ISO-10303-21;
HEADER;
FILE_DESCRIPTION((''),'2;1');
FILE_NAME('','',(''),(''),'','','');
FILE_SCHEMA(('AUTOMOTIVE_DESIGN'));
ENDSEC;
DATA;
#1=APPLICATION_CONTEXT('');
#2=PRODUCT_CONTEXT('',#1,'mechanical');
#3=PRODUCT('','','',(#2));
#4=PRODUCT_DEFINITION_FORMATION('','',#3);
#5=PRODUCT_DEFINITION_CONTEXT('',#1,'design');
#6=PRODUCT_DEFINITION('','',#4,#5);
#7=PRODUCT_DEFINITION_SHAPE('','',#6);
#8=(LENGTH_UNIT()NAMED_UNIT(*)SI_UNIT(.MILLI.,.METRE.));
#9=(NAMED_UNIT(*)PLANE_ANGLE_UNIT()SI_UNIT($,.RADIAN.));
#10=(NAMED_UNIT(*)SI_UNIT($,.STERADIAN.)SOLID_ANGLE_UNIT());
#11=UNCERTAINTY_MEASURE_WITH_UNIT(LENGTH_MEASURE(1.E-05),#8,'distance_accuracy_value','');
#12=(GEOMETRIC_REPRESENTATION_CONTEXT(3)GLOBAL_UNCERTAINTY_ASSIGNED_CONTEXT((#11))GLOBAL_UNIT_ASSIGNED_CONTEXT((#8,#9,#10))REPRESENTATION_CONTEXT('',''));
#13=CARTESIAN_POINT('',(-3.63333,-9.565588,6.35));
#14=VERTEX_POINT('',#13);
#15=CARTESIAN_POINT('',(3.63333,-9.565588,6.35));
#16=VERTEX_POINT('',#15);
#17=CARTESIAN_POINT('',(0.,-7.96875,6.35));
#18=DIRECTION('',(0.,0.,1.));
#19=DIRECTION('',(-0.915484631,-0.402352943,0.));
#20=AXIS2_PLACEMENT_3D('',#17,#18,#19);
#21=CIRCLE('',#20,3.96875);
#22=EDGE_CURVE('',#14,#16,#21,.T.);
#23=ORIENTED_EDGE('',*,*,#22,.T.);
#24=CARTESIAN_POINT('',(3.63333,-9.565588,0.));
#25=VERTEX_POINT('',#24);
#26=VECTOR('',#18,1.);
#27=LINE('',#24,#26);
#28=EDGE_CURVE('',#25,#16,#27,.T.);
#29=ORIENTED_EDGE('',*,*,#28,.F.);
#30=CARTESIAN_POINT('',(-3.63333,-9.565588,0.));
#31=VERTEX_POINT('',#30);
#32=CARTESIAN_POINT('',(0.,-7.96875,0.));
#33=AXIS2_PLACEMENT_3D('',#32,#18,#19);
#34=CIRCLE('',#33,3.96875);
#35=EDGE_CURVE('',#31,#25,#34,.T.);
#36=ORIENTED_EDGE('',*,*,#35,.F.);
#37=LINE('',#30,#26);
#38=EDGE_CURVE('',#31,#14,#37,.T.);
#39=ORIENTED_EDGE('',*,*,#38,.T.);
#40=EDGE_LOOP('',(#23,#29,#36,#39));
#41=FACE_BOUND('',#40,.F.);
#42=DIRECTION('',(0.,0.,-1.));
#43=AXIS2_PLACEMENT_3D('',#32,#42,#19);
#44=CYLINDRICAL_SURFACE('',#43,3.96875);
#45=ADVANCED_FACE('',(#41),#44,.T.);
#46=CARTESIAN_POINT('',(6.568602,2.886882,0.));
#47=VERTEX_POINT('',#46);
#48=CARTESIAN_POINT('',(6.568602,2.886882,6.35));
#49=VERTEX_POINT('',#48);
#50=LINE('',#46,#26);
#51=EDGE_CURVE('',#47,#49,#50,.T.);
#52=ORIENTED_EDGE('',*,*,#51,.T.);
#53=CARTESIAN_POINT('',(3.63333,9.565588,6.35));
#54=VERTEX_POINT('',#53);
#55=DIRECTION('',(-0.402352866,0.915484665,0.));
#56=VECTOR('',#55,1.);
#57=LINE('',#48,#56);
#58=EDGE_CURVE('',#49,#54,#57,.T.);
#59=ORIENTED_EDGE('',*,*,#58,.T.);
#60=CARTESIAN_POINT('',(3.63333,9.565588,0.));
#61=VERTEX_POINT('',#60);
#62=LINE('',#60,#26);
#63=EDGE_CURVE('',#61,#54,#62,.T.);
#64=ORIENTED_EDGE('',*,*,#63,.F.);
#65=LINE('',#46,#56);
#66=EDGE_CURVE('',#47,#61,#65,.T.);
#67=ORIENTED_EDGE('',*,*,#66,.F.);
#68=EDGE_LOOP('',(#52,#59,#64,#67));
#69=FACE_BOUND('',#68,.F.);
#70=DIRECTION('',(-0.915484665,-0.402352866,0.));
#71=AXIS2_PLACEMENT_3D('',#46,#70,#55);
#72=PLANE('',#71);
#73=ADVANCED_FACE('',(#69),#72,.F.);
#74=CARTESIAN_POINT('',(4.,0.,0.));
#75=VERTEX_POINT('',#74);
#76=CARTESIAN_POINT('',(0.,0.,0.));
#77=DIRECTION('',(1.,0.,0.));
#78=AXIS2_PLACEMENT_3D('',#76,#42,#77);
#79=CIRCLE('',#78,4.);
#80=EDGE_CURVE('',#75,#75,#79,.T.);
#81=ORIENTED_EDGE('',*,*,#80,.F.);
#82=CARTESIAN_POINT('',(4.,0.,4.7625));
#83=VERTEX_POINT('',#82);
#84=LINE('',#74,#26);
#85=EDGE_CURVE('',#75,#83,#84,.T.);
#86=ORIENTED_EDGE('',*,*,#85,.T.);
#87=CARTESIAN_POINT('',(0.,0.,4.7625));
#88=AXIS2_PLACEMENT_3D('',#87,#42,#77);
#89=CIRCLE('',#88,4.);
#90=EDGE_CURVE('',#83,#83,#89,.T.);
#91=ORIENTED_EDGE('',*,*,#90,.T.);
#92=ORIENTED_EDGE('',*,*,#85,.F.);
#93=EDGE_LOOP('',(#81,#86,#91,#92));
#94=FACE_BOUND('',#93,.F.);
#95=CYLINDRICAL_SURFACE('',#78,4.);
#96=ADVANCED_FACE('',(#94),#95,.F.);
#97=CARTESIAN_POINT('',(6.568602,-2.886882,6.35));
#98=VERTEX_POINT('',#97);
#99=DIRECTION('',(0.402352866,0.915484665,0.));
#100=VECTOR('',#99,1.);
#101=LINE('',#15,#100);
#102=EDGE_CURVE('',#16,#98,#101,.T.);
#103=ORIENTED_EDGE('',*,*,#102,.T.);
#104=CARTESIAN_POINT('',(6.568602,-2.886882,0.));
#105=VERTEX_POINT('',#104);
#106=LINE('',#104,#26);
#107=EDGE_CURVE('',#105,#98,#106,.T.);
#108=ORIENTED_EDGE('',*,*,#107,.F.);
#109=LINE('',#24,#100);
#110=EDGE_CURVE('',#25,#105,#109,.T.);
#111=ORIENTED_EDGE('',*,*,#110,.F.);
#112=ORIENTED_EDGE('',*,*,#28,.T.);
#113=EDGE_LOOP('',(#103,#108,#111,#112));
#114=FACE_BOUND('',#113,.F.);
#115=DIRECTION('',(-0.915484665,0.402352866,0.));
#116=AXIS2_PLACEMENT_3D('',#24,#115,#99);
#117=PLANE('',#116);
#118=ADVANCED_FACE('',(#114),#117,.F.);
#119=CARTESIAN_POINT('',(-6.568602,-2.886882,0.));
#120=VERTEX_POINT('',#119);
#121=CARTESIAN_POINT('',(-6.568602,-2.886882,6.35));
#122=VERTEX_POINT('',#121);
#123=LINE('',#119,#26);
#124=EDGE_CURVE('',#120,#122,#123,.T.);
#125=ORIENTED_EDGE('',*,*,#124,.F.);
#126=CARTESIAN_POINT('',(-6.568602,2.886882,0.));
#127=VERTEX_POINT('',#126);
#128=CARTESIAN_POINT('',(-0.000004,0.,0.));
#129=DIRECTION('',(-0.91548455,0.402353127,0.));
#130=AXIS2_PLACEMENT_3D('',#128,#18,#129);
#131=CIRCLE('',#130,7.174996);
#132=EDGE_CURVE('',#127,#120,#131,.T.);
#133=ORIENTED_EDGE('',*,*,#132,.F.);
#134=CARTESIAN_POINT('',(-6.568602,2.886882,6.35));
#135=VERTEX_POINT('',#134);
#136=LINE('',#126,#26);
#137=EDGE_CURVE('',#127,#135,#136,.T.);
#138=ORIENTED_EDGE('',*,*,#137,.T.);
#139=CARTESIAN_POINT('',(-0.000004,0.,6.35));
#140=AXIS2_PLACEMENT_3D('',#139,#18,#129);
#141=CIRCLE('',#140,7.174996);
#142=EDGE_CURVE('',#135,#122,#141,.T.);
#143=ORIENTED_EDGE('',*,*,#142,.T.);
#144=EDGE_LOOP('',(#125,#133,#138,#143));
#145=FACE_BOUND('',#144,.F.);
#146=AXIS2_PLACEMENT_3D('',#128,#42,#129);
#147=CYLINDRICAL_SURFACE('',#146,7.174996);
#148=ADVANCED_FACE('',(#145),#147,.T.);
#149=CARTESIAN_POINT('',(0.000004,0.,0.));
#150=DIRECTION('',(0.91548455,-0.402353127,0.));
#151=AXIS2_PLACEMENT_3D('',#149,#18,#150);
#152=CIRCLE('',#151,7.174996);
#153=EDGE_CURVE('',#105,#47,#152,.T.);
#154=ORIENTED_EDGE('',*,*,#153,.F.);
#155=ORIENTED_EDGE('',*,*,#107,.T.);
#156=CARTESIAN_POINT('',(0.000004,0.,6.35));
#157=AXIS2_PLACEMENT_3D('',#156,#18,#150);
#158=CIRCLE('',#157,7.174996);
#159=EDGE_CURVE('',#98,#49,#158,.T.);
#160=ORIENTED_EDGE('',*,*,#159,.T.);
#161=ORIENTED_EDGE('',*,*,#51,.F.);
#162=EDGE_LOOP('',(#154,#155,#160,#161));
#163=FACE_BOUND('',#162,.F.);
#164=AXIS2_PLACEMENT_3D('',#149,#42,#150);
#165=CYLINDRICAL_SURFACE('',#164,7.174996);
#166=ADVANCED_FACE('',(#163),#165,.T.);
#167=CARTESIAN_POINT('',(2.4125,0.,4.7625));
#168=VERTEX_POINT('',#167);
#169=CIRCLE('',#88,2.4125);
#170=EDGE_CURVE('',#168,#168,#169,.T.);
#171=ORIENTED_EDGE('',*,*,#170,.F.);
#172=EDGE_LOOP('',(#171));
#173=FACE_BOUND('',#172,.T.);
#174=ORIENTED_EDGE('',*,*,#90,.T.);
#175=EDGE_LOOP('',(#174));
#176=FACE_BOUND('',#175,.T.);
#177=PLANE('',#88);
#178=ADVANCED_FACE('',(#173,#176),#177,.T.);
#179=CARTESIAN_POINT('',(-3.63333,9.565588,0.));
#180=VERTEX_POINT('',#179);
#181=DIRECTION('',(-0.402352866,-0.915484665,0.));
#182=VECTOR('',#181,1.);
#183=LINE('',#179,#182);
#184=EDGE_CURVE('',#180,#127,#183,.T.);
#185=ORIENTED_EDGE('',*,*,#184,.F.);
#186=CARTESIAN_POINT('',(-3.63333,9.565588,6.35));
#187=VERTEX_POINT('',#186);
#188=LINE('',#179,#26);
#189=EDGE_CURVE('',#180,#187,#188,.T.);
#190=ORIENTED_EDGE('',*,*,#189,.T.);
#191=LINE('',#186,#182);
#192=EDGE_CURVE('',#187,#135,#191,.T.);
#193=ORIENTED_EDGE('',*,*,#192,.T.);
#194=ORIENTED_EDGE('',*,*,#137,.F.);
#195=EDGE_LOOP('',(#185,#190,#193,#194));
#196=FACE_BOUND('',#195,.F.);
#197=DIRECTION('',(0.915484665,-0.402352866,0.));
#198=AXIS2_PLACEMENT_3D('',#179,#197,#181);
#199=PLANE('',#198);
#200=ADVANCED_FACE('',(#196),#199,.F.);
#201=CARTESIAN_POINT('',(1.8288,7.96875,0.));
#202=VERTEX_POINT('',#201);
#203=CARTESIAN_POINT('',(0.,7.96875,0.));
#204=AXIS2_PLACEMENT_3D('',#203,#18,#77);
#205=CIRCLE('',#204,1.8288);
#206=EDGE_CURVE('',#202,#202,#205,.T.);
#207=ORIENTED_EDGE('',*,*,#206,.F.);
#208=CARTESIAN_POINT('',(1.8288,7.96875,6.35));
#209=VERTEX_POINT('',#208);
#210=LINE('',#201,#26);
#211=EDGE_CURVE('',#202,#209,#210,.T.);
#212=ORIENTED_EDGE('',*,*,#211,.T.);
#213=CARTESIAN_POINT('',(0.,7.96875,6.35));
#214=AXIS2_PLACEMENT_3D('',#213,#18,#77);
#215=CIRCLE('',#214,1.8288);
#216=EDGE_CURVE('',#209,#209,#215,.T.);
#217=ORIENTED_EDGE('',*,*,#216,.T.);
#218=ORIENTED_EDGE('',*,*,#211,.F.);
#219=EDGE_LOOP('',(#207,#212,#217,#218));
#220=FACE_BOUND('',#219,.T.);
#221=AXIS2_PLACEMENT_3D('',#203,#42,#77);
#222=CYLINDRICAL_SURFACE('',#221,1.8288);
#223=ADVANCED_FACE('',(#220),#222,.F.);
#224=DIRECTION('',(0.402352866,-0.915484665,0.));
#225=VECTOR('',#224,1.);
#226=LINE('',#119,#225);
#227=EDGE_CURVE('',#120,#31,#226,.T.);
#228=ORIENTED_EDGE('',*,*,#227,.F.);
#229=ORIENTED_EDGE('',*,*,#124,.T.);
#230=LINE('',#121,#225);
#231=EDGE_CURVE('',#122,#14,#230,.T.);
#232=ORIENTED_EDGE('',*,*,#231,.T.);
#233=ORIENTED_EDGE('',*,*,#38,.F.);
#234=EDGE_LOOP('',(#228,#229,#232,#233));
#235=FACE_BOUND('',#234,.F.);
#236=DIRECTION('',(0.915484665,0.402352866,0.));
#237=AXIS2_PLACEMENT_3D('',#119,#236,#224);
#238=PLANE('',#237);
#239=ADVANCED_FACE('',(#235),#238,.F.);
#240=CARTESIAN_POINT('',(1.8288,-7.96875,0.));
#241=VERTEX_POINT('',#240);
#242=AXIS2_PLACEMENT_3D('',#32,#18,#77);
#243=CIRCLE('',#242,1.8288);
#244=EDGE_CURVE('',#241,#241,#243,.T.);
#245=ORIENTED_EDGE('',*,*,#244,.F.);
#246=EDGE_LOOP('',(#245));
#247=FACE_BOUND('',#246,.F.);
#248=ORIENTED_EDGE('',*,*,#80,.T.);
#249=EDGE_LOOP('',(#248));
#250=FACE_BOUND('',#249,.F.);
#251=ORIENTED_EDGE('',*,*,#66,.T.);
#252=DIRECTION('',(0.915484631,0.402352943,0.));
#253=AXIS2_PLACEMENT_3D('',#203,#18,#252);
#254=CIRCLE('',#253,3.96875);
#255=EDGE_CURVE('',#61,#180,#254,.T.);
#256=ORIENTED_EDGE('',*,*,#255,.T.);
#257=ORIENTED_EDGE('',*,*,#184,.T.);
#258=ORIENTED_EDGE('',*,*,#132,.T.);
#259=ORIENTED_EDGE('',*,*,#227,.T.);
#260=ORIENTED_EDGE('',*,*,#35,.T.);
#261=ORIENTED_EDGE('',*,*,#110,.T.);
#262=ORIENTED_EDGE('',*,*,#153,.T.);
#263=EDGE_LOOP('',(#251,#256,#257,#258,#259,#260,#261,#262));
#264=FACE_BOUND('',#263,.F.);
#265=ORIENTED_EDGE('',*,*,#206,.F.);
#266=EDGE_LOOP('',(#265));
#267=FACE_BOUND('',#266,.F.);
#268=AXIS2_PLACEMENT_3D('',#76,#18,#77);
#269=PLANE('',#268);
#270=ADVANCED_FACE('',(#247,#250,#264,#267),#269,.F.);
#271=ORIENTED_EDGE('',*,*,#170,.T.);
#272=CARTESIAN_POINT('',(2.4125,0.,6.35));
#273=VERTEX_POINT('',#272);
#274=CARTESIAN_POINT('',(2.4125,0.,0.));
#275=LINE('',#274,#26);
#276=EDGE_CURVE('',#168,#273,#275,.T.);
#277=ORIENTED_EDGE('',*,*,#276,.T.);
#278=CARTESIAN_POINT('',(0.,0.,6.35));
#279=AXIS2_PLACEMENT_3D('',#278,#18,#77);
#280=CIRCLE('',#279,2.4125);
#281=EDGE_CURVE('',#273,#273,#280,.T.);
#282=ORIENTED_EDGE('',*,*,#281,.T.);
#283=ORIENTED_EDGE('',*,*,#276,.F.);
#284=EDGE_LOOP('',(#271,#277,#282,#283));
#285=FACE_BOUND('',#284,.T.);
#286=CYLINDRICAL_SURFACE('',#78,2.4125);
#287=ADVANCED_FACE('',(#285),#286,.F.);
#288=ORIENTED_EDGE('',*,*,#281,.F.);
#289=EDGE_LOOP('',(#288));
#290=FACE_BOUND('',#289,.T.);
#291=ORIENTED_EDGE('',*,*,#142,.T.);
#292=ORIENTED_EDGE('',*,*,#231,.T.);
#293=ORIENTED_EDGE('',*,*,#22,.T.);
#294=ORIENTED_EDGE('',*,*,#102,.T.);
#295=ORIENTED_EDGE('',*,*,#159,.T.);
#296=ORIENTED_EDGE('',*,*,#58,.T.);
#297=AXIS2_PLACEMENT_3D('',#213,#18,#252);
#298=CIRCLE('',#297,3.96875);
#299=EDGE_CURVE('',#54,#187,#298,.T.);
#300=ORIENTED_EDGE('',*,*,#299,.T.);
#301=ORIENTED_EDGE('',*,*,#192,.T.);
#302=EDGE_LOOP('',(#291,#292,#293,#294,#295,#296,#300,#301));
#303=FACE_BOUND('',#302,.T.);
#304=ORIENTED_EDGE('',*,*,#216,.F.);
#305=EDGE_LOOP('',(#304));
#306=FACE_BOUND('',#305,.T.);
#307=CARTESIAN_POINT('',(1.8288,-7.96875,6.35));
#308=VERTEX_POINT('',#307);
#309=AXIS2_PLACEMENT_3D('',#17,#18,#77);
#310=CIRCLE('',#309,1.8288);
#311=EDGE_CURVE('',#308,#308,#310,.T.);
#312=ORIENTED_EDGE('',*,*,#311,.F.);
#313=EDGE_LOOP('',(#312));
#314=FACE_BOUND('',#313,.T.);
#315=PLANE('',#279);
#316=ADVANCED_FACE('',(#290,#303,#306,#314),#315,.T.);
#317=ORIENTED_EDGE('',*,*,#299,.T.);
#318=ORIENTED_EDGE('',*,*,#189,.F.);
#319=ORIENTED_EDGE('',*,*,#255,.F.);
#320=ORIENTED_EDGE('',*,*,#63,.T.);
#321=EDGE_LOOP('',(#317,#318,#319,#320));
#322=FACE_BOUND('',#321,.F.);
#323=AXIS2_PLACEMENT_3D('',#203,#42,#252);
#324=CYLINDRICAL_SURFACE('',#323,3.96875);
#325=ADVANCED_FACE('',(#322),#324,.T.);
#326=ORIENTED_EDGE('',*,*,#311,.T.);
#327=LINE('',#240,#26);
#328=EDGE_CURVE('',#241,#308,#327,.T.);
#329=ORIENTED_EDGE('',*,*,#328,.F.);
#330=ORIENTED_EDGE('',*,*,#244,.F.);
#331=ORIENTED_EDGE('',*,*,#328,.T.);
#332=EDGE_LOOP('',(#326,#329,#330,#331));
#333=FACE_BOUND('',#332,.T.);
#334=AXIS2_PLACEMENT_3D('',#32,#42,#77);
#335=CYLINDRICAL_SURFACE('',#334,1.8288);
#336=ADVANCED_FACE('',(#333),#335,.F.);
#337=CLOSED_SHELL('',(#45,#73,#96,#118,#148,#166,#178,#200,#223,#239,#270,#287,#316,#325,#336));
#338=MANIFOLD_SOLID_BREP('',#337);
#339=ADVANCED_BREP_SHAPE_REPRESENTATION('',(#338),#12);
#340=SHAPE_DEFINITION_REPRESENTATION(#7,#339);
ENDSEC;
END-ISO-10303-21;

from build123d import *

# Parameters (mm, degrees)
F0_R     = 1.8288
F0_R_2   = 2.4125
F1_DEPTH = 6.35
F3_R     = 4
F4_DEPTH = 4.7625


with BuildPart() as f1:
    # F0 (on Top) → F1 (new body)
    with BuildSketch(Plane.XY):
        with BuildLine():
            Line((6.568602, 2.886882), (3.63333, 9.565588))
            ThreePointArc((3.63333, 9.565588), (0, 11.9375), (-3.63333, 9.565588))
            Line((-3.63333, 9.565588), (-6.568602, 2.886882))
            ThreePointArc((-6.568602, 2.886882), (-7.175, 0), (-6.568602, -2.886882))
            Line((-6.568602, -2.886882), (-3.63333, -9.565588))
            ThreePointArc((-3.63333, -9.565588), (0, -11.9375), (3.63333, -9.565588))
            Line((3.63333, -9.565588), (6.568602, -2.886882))
            ThreePointArc((6.568602, -2.886882), (7.175, 0), (6.568602, 2.886882))
        make_face()
        with Locations((0, -7.96875)):
            Circle(F0_R, mode=Mode.SUBTRACT)
        Circle(F0_R_2, mode=Mode.SUBTRACT)
        with Locations((0, 7.96875)):
            Circle(F0_R, mode=Mode.SUBTRACT)
    extrude(amount=F1_DEPTH)

    # F3 (on face) → F4 (cut, through all)
    with BuildSketch(Plane(origin=(0, 0, 0), x_dir=(1, 0, 0), z_dir=(0, 0, -1))):
        Circle(F3_R)
    extrude(amount=-F4_DEPTH, mode=Mode.SUBTRACT)


solid = f1.part
